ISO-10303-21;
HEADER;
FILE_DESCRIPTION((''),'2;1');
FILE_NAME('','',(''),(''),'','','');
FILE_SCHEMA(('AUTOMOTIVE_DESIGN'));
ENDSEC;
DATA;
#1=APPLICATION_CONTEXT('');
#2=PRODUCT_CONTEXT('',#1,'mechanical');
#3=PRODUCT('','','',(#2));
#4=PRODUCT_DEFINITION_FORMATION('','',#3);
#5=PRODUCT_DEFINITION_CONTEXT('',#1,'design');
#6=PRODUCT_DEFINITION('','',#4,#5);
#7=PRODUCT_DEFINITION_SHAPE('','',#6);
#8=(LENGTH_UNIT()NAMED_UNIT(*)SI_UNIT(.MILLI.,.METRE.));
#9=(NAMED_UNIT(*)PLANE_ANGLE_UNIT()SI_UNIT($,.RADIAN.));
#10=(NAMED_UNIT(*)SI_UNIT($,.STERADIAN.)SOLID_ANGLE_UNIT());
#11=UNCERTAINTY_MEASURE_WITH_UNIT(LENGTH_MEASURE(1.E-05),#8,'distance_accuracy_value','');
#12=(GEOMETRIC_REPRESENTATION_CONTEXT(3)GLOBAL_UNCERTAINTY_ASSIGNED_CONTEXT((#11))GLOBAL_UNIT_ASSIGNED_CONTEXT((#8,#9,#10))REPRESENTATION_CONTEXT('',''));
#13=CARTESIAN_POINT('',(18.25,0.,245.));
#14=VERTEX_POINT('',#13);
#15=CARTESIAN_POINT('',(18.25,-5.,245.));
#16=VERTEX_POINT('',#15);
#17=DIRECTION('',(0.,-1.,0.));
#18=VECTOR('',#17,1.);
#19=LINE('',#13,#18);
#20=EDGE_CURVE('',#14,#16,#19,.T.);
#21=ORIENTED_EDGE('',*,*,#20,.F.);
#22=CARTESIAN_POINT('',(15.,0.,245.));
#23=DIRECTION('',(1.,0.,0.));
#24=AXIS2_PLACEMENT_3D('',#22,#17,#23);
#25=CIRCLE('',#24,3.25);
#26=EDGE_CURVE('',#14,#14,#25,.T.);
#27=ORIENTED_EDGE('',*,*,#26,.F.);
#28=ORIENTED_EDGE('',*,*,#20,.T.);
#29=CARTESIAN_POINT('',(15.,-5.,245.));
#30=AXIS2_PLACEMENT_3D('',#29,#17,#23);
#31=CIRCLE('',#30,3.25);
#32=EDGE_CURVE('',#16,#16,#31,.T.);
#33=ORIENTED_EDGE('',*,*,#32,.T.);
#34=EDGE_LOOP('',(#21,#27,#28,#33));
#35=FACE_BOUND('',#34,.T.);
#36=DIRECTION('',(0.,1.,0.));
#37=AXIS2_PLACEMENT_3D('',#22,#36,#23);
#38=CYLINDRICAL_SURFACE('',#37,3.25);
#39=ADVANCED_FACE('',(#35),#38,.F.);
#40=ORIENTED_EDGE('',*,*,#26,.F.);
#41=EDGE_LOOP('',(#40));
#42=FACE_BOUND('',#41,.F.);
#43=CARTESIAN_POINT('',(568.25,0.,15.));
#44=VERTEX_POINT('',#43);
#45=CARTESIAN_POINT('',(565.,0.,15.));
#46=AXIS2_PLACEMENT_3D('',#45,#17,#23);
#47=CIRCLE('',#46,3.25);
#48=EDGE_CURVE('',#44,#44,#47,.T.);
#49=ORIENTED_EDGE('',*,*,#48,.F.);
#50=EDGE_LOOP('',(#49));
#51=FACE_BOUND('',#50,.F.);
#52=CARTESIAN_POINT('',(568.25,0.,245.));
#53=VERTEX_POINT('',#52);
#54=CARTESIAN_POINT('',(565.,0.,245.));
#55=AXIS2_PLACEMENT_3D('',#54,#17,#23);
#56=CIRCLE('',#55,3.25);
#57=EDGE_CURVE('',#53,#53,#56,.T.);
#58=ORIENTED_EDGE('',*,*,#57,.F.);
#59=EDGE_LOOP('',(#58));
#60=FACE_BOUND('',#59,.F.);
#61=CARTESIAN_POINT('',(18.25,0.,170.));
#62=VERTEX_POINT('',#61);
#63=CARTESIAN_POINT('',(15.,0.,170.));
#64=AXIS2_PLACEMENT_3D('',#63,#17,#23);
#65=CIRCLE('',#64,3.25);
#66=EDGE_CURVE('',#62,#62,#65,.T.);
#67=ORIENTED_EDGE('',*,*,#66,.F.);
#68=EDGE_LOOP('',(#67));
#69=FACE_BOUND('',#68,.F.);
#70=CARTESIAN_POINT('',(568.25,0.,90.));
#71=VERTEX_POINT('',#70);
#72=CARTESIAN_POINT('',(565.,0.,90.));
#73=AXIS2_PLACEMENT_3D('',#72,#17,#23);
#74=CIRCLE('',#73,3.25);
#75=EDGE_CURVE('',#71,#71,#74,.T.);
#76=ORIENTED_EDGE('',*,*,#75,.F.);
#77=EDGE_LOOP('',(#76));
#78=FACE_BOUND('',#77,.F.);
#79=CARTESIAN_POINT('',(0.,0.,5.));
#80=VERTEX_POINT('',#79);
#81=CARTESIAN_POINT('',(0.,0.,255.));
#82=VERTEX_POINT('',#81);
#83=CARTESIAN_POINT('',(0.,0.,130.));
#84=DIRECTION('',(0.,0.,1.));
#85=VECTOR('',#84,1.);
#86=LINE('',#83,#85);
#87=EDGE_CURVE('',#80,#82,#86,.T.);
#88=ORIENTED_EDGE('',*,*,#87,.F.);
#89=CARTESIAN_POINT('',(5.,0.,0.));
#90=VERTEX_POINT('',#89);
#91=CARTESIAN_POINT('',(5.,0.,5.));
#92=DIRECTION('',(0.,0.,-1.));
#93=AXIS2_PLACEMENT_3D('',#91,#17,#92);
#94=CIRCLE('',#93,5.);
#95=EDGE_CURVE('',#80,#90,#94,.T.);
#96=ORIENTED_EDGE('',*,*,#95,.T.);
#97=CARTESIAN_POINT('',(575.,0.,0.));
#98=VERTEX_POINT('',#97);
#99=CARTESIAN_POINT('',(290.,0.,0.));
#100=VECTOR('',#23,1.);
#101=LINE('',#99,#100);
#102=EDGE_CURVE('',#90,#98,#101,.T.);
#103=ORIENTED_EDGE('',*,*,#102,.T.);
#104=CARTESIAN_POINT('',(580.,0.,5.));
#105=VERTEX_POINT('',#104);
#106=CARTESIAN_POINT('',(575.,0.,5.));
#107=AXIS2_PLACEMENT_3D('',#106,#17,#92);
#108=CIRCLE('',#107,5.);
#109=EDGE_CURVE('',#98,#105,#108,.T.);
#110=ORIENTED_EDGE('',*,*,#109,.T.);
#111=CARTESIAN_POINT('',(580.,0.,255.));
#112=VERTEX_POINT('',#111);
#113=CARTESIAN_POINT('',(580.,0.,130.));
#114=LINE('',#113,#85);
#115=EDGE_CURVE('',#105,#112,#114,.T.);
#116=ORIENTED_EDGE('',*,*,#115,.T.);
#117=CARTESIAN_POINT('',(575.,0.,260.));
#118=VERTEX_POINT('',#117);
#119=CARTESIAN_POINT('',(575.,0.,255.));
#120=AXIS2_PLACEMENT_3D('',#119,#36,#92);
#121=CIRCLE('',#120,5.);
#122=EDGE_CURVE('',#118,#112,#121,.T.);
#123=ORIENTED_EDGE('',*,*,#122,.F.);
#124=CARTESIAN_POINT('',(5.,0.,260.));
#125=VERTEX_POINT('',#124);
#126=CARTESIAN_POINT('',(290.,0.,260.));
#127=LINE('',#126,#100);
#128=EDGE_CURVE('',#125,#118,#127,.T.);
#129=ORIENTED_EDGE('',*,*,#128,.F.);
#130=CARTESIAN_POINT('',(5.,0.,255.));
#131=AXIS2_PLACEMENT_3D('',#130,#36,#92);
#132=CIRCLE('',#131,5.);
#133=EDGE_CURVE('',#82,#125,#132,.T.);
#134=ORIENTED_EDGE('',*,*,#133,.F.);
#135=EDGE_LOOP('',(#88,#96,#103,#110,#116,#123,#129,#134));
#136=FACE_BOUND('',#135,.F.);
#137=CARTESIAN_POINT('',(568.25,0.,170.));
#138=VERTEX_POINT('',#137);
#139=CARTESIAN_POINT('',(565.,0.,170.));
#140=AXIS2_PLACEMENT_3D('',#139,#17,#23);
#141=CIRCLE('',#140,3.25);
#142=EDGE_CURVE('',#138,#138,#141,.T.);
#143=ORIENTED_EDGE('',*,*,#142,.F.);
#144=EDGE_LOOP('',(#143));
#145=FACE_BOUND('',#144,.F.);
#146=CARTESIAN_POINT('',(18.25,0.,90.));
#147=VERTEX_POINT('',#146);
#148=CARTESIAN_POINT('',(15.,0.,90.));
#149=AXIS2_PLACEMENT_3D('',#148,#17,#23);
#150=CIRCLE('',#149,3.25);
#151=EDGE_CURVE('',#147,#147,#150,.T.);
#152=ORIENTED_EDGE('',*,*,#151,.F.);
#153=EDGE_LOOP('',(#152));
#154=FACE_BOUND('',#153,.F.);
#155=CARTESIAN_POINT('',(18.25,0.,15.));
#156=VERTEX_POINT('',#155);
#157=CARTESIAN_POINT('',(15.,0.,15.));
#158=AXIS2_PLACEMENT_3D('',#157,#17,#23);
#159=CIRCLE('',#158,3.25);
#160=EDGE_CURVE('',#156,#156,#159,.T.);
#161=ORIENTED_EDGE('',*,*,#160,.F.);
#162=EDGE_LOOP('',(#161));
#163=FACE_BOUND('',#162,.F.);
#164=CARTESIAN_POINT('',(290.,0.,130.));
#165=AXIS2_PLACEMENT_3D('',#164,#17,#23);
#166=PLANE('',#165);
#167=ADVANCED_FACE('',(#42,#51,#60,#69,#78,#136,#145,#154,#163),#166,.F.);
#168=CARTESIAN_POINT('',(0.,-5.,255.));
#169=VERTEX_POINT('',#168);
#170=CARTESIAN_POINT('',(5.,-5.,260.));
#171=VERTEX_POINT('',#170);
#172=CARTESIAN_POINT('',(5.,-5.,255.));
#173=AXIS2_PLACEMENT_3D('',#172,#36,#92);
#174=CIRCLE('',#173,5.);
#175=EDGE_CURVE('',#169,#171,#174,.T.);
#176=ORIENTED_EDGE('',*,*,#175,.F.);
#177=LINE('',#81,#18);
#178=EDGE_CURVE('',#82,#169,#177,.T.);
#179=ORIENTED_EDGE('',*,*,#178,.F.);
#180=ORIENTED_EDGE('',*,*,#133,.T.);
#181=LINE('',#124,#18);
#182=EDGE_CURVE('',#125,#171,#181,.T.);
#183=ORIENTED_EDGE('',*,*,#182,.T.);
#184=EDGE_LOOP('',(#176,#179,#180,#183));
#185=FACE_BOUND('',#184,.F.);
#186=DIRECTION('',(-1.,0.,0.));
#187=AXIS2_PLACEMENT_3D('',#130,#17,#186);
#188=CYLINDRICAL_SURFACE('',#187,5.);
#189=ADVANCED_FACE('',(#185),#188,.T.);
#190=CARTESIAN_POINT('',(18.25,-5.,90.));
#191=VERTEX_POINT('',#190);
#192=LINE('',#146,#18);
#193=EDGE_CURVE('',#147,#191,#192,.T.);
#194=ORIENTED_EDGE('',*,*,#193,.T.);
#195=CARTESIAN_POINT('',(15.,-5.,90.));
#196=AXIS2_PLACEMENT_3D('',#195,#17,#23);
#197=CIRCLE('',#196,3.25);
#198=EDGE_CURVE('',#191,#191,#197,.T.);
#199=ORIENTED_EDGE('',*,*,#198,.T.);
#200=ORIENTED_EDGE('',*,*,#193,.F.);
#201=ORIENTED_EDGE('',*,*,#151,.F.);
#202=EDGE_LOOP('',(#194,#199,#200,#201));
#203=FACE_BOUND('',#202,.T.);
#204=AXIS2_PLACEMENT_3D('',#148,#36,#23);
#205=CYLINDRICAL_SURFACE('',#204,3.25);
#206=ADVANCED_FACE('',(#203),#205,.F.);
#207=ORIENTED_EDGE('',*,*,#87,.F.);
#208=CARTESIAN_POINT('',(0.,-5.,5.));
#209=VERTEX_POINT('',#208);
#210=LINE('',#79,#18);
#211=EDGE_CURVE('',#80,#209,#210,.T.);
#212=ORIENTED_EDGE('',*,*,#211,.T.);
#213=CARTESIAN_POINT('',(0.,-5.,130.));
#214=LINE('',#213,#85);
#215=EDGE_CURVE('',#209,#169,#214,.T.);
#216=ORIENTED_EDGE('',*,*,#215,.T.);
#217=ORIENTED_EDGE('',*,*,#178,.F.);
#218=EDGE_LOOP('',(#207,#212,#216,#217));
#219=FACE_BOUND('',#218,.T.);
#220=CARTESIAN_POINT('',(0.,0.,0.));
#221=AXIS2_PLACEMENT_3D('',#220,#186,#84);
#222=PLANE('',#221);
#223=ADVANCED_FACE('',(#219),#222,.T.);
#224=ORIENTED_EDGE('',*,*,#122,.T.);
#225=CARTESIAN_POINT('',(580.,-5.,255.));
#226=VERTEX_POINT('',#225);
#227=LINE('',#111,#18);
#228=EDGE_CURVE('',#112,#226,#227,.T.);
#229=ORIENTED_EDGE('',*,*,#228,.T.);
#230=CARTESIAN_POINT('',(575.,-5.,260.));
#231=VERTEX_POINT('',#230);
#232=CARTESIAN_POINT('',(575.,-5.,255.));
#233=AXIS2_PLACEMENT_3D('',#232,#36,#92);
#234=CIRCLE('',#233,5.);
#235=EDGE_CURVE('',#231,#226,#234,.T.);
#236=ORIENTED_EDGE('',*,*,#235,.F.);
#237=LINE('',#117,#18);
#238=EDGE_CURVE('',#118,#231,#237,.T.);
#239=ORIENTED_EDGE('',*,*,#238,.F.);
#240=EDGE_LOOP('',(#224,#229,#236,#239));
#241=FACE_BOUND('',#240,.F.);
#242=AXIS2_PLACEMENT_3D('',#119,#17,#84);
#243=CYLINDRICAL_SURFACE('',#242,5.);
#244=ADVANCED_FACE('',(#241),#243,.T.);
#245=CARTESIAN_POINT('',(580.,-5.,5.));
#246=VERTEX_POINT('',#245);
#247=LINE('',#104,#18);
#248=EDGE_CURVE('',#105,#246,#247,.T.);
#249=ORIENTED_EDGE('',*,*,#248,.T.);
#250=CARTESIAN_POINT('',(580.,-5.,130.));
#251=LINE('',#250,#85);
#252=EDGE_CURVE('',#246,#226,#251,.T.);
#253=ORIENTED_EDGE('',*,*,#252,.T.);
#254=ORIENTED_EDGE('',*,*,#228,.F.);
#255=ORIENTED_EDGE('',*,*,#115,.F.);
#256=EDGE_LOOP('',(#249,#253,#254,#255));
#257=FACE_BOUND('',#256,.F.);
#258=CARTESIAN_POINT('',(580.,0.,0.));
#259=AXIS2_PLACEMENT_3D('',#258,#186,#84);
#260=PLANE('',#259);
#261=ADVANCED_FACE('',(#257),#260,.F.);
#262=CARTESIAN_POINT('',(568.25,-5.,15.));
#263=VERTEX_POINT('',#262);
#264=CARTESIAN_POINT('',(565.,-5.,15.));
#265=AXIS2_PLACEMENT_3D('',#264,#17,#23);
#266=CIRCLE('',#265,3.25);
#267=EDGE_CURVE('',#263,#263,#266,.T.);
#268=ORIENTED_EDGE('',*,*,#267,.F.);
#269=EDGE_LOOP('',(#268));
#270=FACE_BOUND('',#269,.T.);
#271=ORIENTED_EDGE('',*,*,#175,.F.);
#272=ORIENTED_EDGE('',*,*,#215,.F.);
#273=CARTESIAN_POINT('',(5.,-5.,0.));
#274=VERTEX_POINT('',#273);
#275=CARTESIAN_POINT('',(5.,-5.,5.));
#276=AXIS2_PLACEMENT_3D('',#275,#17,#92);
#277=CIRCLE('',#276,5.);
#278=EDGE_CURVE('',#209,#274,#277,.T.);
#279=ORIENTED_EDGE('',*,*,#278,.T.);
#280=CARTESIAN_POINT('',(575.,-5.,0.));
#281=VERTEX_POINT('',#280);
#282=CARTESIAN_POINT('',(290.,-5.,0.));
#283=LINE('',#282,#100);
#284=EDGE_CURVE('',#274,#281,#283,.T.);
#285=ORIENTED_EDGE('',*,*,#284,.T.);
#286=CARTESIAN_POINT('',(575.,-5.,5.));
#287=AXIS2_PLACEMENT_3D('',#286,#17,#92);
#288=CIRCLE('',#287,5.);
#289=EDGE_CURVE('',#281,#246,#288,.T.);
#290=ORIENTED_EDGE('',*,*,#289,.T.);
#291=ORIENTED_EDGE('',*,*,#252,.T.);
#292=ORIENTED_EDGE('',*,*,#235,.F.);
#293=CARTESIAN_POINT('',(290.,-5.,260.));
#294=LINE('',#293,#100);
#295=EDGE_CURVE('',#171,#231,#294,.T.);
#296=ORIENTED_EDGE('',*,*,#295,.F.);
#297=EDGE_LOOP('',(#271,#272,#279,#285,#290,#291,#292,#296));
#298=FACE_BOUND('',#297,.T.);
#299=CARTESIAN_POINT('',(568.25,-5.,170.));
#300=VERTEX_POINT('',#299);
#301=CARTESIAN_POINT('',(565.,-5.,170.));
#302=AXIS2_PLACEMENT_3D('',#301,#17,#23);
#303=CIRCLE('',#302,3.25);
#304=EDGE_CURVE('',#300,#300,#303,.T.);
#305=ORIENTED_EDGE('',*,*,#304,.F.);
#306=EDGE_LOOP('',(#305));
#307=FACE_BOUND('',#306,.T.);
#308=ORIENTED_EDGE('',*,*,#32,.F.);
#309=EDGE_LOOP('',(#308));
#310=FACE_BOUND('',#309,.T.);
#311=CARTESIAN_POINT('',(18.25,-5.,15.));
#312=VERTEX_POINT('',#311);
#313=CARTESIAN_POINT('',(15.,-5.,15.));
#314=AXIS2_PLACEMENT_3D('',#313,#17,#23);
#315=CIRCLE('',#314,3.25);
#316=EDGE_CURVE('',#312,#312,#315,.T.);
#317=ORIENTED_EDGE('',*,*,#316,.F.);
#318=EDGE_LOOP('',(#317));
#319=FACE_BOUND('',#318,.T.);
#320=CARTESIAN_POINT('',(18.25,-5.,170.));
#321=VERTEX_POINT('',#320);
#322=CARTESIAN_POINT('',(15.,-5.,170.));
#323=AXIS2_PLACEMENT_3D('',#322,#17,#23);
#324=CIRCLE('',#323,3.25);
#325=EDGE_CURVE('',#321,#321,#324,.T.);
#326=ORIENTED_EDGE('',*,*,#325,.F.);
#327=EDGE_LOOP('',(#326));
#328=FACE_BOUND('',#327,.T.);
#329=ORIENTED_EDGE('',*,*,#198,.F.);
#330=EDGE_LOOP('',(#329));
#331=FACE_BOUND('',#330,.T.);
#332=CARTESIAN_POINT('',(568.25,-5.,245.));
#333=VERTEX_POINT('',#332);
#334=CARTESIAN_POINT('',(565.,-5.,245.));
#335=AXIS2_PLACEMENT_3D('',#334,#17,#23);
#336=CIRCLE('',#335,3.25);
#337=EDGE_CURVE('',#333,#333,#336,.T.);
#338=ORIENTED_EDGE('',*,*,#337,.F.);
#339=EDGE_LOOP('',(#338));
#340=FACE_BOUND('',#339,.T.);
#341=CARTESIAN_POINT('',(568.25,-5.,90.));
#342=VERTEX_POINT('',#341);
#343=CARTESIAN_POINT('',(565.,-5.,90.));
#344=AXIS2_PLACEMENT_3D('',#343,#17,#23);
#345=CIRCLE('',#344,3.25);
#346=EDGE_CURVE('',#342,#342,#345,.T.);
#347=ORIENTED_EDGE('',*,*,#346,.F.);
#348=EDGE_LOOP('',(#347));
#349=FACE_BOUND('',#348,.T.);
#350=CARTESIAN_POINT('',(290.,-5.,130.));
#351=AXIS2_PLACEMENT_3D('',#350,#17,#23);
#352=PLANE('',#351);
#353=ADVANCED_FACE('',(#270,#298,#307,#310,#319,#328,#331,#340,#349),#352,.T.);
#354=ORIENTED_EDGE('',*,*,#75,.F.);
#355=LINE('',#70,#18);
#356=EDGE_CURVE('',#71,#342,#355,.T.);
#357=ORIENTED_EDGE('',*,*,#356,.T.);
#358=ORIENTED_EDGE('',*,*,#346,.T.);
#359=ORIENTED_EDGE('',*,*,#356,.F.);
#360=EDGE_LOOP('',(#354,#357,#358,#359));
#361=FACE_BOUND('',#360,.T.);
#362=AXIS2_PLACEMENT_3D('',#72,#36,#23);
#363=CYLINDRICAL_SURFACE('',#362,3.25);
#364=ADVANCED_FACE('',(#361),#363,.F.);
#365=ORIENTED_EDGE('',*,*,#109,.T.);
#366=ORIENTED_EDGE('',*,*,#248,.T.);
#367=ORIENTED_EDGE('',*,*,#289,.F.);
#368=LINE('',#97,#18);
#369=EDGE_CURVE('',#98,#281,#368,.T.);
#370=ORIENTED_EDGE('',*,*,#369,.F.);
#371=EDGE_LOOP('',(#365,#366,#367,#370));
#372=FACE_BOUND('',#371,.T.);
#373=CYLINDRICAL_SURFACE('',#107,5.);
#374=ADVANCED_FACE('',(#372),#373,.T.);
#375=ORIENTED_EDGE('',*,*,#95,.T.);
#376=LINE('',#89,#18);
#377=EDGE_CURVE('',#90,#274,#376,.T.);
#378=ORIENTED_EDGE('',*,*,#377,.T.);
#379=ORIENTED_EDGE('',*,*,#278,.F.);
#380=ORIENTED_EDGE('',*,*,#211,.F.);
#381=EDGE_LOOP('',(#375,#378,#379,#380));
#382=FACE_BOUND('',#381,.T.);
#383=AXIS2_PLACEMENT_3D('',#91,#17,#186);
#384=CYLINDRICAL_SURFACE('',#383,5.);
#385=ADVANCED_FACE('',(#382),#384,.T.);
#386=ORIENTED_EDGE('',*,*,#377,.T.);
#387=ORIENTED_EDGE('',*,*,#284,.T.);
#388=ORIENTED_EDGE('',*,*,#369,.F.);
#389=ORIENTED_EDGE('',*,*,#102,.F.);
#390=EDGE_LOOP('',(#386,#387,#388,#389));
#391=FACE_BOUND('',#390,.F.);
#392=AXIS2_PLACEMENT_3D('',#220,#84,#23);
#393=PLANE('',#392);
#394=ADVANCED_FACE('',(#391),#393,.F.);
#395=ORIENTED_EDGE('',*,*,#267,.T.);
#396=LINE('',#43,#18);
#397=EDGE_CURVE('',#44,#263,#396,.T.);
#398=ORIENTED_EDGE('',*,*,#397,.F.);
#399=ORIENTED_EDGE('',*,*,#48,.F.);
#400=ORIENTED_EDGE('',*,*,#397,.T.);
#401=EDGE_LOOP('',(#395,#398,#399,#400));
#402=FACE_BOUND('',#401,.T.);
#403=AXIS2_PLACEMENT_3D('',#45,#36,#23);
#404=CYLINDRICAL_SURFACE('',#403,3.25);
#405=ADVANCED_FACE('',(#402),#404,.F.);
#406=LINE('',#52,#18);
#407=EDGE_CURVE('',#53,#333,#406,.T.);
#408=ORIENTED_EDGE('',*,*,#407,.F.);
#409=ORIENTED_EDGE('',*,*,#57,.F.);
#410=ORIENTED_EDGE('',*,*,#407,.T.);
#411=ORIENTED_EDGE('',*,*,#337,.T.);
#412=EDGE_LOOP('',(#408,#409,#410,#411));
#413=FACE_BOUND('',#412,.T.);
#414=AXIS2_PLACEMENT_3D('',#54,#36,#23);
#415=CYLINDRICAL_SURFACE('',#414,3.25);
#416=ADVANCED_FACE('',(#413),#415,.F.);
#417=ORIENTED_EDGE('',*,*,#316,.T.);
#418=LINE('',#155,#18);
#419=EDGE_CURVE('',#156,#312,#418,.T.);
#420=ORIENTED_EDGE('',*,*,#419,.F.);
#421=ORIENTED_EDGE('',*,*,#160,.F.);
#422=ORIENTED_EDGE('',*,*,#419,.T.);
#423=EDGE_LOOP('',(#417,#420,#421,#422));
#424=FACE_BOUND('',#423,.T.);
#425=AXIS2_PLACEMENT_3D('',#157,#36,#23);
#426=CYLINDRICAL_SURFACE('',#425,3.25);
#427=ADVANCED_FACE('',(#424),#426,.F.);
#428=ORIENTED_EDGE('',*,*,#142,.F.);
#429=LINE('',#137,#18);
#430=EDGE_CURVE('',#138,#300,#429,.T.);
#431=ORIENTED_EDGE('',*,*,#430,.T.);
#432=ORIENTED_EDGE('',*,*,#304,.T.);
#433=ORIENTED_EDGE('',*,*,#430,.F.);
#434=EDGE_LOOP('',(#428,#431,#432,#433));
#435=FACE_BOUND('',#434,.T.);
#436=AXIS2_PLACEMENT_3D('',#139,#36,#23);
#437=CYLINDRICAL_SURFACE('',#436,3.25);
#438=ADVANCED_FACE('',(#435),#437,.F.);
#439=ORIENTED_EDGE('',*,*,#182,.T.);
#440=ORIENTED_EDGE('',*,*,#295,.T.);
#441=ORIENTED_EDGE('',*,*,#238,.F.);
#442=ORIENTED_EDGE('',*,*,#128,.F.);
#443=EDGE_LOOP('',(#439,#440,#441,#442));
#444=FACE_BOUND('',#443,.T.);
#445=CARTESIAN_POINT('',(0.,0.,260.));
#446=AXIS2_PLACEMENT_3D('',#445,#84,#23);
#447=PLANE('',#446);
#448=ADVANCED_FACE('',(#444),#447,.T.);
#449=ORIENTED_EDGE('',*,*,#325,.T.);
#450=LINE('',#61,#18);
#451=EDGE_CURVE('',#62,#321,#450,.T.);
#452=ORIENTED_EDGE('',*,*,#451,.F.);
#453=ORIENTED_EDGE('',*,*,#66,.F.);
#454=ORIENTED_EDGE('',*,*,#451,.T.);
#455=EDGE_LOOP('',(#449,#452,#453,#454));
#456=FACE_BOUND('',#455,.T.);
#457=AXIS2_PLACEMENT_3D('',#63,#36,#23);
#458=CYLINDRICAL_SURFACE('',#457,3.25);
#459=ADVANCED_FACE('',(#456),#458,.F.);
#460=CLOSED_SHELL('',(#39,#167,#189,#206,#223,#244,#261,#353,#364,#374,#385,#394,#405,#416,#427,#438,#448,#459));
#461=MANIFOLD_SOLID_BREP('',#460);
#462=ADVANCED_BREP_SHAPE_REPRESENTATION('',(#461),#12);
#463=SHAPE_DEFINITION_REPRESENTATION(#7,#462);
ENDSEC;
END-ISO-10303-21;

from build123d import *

# Parameters (mm, degrees)
F0_W     = 580
F0_H     = 260
F0_R     = 3.25
F1_DEPTH = 5
F2_R     = 5


with BuildPart() as f1:
    # F0 (on Front) → F1 (new body)
    with BuildSketch(Plane.XZ):
        with Locations((290, 130)):
            Rectangle(F0_W, F0_H)
        with Locations((15, 15)):
            Circle(F0_R, mode=Mode.SUBTRACT)
        with Locations((15, 90)):
            Circle(F0_R, mode=Mode.SUBTRACT)
        with Locations((565, 15)):
            Circle(F0_R, mode=Mode.SUBTRACT)
        with Locations((565, 90)):
            Circle(F0_R, mode=Mode.SUBTRACT)
        with Locations((15, 170)):
            Circle(F0_R, mode=Mode.SUBTRACT)
        with Locations((15, 245)):
            Circle(F0_R, mode=Mode.SUBTRACT)
        with Locations((565, 170)):
            Circle(F0_R, mode=Mode.SUBTRACT)
        with Locations((565, 245)):
            Circle(F0_R, mode=Mode.SUBTRACT)
    extrude(amount=F1_DEPTH)

    # F2
    f2_edges = [f1.edges().sort_by_distance(p)[0] for p in [
        (0, -2.5, 260),
        (0, -2.5, 0),
        (580, -2.5, 260),
        (580, -2.5, 0),
    ]]
    fillet(f2_edges, radius=F2_R)


solid = f1.part
